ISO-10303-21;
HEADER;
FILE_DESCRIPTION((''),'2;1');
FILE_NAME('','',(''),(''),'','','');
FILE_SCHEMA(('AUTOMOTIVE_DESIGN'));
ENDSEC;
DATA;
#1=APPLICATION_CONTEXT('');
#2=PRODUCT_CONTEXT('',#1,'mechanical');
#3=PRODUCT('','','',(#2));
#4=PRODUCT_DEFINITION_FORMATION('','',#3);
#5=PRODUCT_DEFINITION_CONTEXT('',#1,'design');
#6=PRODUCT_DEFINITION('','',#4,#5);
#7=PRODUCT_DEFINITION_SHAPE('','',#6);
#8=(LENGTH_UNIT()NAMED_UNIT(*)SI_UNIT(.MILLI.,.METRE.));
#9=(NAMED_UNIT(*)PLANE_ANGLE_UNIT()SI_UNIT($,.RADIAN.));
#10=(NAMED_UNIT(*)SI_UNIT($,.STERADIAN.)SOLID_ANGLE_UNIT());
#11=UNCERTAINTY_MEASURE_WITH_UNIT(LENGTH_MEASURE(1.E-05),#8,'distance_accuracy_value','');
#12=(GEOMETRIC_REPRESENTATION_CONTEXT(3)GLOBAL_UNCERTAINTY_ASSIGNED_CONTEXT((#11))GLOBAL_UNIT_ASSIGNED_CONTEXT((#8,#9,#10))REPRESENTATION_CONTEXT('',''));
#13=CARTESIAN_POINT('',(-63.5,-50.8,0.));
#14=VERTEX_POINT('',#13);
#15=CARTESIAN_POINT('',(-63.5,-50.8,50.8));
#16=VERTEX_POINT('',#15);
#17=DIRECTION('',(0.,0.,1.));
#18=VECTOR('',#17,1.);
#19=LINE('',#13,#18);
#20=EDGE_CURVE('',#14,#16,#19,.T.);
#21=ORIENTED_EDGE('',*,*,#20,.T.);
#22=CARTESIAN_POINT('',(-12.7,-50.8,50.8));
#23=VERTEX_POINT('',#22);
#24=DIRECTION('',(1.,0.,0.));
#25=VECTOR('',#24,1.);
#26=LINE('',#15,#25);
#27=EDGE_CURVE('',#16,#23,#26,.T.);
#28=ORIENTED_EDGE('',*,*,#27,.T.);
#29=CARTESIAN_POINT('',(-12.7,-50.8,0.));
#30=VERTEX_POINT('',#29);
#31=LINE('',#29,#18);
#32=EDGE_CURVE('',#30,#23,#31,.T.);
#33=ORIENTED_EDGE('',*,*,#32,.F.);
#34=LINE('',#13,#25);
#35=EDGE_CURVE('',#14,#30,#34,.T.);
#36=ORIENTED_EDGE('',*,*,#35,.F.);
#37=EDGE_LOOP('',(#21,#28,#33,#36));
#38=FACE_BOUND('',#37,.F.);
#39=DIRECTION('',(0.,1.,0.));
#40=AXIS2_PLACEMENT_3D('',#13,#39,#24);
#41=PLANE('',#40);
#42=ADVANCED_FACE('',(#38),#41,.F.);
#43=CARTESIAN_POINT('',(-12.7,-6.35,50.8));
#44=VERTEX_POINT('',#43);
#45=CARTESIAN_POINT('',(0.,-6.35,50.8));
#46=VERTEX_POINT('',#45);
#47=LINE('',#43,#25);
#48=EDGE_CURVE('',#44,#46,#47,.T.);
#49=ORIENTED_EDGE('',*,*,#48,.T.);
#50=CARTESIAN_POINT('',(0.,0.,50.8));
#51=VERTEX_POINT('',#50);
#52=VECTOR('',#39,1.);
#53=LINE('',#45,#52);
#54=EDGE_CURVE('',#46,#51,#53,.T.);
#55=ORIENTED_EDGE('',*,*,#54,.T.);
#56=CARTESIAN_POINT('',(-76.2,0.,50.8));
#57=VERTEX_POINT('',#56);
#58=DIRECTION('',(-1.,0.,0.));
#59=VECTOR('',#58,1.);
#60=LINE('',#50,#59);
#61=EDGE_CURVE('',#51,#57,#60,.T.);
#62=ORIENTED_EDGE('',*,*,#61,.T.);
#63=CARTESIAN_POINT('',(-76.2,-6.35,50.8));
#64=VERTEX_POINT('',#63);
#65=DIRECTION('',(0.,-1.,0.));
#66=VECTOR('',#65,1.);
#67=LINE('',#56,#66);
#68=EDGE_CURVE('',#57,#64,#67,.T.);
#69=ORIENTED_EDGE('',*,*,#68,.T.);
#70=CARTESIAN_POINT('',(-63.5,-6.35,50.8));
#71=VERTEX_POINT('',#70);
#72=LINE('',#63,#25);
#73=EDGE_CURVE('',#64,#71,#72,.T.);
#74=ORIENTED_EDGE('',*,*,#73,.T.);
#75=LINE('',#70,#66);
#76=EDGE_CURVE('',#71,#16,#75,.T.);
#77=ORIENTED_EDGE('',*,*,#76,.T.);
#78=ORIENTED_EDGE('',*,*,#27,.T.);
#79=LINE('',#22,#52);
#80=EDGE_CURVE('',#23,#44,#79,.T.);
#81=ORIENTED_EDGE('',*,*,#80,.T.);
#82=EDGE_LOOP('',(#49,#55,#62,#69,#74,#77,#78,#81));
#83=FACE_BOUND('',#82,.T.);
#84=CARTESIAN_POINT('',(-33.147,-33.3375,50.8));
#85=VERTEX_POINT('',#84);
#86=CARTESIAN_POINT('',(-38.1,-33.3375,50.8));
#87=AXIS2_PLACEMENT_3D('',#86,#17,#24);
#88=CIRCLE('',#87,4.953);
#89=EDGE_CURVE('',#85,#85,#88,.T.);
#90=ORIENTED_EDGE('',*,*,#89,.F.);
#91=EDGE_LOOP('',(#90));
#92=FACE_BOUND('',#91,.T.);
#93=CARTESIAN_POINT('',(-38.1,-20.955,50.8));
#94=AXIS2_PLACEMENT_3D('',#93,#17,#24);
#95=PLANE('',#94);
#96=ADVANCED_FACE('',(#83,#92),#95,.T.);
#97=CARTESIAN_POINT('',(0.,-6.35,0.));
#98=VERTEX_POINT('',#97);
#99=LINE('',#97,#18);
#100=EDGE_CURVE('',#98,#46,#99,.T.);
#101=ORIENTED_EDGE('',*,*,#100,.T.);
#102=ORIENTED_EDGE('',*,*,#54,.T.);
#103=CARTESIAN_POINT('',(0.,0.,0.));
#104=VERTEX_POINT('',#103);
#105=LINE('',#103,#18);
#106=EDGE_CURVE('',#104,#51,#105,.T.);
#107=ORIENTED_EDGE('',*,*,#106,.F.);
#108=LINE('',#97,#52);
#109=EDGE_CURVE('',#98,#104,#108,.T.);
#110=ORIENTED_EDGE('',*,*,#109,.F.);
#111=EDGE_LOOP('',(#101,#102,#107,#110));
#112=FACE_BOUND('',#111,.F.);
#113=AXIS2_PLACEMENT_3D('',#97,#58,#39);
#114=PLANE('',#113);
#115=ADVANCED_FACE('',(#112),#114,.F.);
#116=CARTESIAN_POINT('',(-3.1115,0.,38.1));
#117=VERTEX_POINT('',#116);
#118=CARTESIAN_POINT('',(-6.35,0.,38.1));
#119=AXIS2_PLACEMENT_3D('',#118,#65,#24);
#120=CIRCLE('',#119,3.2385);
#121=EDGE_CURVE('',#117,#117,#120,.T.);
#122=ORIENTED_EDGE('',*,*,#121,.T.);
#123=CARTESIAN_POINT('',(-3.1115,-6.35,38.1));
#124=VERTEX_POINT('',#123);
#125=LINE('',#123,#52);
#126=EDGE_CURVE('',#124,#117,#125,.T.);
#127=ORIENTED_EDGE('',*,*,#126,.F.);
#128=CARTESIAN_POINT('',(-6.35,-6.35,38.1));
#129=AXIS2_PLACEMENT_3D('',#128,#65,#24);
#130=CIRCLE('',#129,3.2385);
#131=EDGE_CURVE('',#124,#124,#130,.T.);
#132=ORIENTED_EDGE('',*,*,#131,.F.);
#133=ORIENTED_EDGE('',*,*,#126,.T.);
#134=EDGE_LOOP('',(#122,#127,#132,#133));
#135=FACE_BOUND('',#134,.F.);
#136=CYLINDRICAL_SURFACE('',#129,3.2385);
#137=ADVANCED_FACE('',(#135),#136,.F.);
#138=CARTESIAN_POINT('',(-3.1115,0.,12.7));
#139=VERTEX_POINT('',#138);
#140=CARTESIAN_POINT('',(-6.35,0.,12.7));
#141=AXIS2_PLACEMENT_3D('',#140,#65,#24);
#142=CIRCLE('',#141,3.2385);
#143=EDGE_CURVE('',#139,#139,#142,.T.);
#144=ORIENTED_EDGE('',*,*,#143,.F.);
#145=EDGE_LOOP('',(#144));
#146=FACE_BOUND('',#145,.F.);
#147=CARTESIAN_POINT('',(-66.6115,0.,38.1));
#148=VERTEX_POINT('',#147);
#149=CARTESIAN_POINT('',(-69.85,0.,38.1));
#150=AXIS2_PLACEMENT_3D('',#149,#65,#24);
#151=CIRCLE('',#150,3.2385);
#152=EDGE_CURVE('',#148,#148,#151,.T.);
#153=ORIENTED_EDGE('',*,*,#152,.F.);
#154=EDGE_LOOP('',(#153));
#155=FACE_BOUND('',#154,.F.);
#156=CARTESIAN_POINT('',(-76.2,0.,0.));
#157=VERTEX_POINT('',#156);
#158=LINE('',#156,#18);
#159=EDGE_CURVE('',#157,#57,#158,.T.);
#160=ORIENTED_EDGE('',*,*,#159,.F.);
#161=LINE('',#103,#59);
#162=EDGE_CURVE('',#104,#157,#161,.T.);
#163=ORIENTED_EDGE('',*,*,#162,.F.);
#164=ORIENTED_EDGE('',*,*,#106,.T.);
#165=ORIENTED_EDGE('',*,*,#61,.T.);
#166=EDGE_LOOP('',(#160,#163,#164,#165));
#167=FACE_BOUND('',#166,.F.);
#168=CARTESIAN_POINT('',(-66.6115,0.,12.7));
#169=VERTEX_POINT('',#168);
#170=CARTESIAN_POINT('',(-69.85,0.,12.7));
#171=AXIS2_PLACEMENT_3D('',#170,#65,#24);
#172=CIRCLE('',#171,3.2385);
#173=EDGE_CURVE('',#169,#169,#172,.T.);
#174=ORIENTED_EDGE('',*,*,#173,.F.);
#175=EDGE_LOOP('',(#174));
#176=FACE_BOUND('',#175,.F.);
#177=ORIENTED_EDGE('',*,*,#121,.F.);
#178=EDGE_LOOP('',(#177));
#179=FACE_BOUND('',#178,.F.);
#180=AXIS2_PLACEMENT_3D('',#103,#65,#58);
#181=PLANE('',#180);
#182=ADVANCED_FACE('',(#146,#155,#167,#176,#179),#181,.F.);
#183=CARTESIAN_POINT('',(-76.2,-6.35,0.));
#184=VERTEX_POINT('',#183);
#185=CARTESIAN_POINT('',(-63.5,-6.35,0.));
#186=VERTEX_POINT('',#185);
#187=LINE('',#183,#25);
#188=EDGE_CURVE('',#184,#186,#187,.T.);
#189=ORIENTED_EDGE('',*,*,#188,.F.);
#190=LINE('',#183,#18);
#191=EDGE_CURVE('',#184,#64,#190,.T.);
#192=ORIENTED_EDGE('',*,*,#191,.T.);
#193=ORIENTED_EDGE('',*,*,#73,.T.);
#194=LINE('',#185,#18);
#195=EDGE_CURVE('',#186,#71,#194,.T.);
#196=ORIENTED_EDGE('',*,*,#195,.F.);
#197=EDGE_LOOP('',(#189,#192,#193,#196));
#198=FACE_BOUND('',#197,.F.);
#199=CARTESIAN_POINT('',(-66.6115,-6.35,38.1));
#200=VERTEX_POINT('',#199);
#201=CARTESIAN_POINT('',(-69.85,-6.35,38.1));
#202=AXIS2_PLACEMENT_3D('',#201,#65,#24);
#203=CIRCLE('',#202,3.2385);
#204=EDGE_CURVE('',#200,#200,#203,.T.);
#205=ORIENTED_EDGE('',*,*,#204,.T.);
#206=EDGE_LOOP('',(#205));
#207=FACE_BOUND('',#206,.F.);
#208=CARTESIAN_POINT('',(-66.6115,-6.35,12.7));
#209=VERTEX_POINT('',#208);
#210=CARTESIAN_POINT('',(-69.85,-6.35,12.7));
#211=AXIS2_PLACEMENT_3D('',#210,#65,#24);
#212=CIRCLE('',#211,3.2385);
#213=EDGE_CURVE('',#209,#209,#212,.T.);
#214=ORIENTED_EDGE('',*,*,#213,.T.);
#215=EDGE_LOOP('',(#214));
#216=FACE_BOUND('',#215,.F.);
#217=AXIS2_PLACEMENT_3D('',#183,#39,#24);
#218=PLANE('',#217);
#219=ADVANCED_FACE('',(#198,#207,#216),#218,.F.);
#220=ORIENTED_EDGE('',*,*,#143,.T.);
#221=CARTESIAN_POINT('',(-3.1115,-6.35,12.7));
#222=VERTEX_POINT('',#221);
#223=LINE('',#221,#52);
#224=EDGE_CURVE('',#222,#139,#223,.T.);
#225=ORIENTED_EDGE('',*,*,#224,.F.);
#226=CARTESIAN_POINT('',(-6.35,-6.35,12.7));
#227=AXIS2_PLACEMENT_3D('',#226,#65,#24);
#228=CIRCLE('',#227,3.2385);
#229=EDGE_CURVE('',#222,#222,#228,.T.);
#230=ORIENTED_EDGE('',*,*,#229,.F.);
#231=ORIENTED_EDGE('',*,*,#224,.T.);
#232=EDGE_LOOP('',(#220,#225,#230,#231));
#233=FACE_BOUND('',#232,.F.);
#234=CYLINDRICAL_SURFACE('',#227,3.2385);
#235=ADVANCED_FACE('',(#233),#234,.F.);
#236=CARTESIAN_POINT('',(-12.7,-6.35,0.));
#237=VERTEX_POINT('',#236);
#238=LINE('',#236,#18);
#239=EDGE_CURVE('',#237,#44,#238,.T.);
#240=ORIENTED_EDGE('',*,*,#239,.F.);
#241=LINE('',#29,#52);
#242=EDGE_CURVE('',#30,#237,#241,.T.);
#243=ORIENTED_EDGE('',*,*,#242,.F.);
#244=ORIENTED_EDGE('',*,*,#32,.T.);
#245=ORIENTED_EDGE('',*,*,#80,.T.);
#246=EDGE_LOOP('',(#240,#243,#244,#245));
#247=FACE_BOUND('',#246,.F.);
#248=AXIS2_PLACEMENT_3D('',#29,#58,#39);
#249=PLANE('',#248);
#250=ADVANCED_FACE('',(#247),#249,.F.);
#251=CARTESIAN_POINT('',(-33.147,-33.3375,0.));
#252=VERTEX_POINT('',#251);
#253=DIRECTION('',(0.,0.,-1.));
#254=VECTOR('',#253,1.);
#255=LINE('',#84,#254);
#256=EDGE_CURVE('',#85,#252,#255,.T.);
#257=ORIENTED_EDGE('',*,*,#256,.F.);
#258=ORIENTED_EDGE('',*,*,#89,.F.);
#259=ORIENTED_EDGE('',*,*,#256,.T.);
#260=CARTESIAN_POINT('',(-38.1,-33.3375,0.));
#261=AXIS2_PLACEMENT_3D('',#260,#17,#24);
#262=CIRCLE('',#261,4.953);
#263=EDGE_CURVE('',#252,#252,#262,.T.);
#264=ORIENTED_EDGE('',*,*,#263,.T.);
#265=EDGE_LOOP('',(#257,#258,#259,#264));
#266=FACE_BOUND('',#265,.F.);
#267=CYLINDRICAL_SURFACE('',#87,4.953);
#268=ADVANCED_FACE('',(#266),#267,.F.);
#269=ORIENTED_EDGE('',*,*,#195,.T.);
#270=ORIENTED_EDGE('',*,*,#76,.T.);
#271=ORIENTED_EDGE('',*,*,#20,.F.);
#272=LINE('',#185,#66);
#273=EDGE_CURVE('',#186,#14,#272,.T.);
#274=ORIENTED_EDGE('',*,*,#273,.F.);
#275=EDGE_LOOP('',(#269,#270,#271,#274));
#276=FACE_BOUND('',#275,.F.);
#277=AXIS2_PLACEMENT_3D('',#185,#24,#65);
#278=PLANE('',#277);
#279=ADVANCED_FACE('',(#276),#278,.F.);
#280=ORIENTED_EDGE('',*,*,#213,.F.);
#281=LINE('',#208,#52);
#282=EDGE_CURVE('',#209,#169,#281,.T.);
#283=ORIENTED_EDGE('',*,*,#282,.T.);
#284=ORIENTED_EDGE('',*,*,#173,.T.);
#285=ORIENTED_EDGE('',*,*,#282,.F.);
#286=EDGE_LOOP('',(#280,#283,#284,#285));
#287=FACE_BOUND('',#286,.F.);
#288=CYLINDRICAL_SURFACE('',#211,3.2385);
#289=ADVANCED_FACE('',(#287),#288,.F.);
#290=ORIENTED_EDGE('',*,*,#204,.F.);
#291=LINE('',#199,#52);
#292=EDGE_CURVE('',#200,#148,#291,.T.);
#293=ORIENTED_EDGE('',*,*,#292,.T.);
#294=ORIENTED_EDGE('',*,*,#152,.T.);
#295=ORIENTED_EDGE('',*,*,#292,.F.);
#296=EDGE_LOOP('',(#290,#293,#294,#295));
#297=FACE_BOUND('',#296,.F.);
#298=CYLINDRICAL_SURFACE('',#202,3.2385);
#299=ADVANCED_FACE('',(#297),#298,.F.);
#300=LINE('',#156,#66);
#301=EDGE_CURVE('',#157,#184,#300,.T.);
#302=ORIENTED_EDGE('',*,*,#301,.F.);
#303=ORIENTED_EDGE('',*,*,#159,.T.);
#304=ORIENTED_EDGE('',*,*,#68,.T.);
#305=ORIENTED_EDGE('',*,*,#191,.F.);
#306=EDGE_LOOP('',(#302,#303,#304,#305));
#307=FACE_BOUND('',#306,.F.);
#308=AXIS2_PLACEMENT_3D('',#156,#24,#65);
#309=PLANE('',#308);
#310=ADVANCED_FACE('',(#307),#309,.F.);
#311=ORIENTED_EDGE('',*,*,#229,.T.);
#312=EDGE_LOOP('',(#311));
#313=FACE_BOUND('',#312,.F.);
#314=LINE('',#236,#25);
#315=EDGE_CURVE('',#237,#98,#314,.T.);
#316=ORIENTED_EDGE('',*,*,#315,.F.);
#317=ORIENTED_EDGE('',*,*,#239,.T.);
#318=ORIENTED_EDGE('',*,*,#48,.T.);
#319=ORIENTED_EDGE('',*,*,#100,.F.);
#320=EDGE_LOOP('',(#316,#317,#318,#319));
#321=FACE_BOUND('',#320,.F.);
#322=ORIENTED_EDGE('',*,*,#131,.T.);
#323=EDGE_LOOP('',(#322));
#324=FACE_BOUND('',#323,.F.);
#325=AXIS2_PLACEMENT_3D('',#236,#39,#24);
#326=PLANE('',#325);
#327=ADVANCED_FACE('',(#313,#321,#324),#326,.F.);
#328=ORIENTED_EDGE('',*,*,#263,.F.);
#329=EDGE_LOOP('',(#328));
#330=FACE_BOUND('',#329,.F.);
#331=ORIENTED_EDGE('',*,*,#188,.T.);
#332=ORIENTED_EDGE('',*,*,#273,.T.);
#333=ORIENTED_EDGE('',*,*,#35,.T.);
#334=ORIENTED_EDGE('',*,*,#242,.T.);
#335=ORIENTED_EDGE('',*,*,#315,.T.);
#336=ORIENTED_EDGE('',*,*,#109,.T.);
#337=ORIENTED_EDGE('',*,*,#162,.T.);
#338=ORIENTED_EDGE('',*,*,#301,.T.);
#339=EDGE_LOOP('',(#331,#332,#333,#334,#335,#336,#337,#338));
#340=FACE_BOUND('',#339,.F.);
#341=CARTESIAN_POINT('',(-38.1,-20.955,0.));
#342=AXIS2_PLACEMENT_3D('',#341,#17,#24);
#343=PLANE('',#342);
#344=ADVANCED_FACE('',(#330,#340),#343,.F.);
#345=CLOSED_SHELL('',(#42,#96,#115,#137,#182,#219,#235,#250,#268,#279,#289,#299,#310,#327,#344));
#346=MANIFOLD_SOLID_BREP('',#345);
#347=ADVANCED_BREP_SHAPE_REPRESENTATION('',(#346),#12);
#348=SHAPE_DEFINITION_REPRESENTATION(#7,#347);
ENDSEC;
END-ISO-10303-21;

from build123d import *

# Parameters (mm, degrees)
F1_DEPTH = 50.8
F2_R     = 4.953
F3_DEPTH = 50.8
F5_R     = 3.2385
F4_R     = 3.2385
F6_DEPTH = 25.4


with BuildPart() as f1:
    # F0 (on Top) → F1 (new body)
    with BuildSketch(Plane.XY):
        Polygon((0, -6.35), (0, 0), (-76.2, 0), (-76.2, -6.35), (-63.5, -6.35), (-63.5, -50.8), (-12.7, -50.8), (-12.7, -6.35), align=None)
    extrude(amount=F1_DEPTH)

    # F2 (on face) → F3 (cut)
    with BuildSketch(Plane.XY.offset(50.8)):
        with Locations((-38.1, -33.3375)):
            Circle(F2_R)
    extrude(amount=-F3_DEPTH, mode=Mode.SUBTRACT)

    # F5 (on face) + F4 (on face) → F6 (cut)
    with BuildSketch(Plane.XZ.offset(6.35)):
        with Locations((-69.85, 12.7)):
            Circle(F5_R)
        with Locations((-69.85, 38.1)):
            Circle(F5_R)
    with BuildSketch(Plane.XZ.offset(6.35)):
        with Locations((-6.35, 12.7)):
            Circle(F4_R)
        with Locations((-6.35, 38.1)):
            Circle(F4_R)
    extrude(amount=-F6_DEPTH, mode=Mode.SUBTRACT)


solid = f1.part
